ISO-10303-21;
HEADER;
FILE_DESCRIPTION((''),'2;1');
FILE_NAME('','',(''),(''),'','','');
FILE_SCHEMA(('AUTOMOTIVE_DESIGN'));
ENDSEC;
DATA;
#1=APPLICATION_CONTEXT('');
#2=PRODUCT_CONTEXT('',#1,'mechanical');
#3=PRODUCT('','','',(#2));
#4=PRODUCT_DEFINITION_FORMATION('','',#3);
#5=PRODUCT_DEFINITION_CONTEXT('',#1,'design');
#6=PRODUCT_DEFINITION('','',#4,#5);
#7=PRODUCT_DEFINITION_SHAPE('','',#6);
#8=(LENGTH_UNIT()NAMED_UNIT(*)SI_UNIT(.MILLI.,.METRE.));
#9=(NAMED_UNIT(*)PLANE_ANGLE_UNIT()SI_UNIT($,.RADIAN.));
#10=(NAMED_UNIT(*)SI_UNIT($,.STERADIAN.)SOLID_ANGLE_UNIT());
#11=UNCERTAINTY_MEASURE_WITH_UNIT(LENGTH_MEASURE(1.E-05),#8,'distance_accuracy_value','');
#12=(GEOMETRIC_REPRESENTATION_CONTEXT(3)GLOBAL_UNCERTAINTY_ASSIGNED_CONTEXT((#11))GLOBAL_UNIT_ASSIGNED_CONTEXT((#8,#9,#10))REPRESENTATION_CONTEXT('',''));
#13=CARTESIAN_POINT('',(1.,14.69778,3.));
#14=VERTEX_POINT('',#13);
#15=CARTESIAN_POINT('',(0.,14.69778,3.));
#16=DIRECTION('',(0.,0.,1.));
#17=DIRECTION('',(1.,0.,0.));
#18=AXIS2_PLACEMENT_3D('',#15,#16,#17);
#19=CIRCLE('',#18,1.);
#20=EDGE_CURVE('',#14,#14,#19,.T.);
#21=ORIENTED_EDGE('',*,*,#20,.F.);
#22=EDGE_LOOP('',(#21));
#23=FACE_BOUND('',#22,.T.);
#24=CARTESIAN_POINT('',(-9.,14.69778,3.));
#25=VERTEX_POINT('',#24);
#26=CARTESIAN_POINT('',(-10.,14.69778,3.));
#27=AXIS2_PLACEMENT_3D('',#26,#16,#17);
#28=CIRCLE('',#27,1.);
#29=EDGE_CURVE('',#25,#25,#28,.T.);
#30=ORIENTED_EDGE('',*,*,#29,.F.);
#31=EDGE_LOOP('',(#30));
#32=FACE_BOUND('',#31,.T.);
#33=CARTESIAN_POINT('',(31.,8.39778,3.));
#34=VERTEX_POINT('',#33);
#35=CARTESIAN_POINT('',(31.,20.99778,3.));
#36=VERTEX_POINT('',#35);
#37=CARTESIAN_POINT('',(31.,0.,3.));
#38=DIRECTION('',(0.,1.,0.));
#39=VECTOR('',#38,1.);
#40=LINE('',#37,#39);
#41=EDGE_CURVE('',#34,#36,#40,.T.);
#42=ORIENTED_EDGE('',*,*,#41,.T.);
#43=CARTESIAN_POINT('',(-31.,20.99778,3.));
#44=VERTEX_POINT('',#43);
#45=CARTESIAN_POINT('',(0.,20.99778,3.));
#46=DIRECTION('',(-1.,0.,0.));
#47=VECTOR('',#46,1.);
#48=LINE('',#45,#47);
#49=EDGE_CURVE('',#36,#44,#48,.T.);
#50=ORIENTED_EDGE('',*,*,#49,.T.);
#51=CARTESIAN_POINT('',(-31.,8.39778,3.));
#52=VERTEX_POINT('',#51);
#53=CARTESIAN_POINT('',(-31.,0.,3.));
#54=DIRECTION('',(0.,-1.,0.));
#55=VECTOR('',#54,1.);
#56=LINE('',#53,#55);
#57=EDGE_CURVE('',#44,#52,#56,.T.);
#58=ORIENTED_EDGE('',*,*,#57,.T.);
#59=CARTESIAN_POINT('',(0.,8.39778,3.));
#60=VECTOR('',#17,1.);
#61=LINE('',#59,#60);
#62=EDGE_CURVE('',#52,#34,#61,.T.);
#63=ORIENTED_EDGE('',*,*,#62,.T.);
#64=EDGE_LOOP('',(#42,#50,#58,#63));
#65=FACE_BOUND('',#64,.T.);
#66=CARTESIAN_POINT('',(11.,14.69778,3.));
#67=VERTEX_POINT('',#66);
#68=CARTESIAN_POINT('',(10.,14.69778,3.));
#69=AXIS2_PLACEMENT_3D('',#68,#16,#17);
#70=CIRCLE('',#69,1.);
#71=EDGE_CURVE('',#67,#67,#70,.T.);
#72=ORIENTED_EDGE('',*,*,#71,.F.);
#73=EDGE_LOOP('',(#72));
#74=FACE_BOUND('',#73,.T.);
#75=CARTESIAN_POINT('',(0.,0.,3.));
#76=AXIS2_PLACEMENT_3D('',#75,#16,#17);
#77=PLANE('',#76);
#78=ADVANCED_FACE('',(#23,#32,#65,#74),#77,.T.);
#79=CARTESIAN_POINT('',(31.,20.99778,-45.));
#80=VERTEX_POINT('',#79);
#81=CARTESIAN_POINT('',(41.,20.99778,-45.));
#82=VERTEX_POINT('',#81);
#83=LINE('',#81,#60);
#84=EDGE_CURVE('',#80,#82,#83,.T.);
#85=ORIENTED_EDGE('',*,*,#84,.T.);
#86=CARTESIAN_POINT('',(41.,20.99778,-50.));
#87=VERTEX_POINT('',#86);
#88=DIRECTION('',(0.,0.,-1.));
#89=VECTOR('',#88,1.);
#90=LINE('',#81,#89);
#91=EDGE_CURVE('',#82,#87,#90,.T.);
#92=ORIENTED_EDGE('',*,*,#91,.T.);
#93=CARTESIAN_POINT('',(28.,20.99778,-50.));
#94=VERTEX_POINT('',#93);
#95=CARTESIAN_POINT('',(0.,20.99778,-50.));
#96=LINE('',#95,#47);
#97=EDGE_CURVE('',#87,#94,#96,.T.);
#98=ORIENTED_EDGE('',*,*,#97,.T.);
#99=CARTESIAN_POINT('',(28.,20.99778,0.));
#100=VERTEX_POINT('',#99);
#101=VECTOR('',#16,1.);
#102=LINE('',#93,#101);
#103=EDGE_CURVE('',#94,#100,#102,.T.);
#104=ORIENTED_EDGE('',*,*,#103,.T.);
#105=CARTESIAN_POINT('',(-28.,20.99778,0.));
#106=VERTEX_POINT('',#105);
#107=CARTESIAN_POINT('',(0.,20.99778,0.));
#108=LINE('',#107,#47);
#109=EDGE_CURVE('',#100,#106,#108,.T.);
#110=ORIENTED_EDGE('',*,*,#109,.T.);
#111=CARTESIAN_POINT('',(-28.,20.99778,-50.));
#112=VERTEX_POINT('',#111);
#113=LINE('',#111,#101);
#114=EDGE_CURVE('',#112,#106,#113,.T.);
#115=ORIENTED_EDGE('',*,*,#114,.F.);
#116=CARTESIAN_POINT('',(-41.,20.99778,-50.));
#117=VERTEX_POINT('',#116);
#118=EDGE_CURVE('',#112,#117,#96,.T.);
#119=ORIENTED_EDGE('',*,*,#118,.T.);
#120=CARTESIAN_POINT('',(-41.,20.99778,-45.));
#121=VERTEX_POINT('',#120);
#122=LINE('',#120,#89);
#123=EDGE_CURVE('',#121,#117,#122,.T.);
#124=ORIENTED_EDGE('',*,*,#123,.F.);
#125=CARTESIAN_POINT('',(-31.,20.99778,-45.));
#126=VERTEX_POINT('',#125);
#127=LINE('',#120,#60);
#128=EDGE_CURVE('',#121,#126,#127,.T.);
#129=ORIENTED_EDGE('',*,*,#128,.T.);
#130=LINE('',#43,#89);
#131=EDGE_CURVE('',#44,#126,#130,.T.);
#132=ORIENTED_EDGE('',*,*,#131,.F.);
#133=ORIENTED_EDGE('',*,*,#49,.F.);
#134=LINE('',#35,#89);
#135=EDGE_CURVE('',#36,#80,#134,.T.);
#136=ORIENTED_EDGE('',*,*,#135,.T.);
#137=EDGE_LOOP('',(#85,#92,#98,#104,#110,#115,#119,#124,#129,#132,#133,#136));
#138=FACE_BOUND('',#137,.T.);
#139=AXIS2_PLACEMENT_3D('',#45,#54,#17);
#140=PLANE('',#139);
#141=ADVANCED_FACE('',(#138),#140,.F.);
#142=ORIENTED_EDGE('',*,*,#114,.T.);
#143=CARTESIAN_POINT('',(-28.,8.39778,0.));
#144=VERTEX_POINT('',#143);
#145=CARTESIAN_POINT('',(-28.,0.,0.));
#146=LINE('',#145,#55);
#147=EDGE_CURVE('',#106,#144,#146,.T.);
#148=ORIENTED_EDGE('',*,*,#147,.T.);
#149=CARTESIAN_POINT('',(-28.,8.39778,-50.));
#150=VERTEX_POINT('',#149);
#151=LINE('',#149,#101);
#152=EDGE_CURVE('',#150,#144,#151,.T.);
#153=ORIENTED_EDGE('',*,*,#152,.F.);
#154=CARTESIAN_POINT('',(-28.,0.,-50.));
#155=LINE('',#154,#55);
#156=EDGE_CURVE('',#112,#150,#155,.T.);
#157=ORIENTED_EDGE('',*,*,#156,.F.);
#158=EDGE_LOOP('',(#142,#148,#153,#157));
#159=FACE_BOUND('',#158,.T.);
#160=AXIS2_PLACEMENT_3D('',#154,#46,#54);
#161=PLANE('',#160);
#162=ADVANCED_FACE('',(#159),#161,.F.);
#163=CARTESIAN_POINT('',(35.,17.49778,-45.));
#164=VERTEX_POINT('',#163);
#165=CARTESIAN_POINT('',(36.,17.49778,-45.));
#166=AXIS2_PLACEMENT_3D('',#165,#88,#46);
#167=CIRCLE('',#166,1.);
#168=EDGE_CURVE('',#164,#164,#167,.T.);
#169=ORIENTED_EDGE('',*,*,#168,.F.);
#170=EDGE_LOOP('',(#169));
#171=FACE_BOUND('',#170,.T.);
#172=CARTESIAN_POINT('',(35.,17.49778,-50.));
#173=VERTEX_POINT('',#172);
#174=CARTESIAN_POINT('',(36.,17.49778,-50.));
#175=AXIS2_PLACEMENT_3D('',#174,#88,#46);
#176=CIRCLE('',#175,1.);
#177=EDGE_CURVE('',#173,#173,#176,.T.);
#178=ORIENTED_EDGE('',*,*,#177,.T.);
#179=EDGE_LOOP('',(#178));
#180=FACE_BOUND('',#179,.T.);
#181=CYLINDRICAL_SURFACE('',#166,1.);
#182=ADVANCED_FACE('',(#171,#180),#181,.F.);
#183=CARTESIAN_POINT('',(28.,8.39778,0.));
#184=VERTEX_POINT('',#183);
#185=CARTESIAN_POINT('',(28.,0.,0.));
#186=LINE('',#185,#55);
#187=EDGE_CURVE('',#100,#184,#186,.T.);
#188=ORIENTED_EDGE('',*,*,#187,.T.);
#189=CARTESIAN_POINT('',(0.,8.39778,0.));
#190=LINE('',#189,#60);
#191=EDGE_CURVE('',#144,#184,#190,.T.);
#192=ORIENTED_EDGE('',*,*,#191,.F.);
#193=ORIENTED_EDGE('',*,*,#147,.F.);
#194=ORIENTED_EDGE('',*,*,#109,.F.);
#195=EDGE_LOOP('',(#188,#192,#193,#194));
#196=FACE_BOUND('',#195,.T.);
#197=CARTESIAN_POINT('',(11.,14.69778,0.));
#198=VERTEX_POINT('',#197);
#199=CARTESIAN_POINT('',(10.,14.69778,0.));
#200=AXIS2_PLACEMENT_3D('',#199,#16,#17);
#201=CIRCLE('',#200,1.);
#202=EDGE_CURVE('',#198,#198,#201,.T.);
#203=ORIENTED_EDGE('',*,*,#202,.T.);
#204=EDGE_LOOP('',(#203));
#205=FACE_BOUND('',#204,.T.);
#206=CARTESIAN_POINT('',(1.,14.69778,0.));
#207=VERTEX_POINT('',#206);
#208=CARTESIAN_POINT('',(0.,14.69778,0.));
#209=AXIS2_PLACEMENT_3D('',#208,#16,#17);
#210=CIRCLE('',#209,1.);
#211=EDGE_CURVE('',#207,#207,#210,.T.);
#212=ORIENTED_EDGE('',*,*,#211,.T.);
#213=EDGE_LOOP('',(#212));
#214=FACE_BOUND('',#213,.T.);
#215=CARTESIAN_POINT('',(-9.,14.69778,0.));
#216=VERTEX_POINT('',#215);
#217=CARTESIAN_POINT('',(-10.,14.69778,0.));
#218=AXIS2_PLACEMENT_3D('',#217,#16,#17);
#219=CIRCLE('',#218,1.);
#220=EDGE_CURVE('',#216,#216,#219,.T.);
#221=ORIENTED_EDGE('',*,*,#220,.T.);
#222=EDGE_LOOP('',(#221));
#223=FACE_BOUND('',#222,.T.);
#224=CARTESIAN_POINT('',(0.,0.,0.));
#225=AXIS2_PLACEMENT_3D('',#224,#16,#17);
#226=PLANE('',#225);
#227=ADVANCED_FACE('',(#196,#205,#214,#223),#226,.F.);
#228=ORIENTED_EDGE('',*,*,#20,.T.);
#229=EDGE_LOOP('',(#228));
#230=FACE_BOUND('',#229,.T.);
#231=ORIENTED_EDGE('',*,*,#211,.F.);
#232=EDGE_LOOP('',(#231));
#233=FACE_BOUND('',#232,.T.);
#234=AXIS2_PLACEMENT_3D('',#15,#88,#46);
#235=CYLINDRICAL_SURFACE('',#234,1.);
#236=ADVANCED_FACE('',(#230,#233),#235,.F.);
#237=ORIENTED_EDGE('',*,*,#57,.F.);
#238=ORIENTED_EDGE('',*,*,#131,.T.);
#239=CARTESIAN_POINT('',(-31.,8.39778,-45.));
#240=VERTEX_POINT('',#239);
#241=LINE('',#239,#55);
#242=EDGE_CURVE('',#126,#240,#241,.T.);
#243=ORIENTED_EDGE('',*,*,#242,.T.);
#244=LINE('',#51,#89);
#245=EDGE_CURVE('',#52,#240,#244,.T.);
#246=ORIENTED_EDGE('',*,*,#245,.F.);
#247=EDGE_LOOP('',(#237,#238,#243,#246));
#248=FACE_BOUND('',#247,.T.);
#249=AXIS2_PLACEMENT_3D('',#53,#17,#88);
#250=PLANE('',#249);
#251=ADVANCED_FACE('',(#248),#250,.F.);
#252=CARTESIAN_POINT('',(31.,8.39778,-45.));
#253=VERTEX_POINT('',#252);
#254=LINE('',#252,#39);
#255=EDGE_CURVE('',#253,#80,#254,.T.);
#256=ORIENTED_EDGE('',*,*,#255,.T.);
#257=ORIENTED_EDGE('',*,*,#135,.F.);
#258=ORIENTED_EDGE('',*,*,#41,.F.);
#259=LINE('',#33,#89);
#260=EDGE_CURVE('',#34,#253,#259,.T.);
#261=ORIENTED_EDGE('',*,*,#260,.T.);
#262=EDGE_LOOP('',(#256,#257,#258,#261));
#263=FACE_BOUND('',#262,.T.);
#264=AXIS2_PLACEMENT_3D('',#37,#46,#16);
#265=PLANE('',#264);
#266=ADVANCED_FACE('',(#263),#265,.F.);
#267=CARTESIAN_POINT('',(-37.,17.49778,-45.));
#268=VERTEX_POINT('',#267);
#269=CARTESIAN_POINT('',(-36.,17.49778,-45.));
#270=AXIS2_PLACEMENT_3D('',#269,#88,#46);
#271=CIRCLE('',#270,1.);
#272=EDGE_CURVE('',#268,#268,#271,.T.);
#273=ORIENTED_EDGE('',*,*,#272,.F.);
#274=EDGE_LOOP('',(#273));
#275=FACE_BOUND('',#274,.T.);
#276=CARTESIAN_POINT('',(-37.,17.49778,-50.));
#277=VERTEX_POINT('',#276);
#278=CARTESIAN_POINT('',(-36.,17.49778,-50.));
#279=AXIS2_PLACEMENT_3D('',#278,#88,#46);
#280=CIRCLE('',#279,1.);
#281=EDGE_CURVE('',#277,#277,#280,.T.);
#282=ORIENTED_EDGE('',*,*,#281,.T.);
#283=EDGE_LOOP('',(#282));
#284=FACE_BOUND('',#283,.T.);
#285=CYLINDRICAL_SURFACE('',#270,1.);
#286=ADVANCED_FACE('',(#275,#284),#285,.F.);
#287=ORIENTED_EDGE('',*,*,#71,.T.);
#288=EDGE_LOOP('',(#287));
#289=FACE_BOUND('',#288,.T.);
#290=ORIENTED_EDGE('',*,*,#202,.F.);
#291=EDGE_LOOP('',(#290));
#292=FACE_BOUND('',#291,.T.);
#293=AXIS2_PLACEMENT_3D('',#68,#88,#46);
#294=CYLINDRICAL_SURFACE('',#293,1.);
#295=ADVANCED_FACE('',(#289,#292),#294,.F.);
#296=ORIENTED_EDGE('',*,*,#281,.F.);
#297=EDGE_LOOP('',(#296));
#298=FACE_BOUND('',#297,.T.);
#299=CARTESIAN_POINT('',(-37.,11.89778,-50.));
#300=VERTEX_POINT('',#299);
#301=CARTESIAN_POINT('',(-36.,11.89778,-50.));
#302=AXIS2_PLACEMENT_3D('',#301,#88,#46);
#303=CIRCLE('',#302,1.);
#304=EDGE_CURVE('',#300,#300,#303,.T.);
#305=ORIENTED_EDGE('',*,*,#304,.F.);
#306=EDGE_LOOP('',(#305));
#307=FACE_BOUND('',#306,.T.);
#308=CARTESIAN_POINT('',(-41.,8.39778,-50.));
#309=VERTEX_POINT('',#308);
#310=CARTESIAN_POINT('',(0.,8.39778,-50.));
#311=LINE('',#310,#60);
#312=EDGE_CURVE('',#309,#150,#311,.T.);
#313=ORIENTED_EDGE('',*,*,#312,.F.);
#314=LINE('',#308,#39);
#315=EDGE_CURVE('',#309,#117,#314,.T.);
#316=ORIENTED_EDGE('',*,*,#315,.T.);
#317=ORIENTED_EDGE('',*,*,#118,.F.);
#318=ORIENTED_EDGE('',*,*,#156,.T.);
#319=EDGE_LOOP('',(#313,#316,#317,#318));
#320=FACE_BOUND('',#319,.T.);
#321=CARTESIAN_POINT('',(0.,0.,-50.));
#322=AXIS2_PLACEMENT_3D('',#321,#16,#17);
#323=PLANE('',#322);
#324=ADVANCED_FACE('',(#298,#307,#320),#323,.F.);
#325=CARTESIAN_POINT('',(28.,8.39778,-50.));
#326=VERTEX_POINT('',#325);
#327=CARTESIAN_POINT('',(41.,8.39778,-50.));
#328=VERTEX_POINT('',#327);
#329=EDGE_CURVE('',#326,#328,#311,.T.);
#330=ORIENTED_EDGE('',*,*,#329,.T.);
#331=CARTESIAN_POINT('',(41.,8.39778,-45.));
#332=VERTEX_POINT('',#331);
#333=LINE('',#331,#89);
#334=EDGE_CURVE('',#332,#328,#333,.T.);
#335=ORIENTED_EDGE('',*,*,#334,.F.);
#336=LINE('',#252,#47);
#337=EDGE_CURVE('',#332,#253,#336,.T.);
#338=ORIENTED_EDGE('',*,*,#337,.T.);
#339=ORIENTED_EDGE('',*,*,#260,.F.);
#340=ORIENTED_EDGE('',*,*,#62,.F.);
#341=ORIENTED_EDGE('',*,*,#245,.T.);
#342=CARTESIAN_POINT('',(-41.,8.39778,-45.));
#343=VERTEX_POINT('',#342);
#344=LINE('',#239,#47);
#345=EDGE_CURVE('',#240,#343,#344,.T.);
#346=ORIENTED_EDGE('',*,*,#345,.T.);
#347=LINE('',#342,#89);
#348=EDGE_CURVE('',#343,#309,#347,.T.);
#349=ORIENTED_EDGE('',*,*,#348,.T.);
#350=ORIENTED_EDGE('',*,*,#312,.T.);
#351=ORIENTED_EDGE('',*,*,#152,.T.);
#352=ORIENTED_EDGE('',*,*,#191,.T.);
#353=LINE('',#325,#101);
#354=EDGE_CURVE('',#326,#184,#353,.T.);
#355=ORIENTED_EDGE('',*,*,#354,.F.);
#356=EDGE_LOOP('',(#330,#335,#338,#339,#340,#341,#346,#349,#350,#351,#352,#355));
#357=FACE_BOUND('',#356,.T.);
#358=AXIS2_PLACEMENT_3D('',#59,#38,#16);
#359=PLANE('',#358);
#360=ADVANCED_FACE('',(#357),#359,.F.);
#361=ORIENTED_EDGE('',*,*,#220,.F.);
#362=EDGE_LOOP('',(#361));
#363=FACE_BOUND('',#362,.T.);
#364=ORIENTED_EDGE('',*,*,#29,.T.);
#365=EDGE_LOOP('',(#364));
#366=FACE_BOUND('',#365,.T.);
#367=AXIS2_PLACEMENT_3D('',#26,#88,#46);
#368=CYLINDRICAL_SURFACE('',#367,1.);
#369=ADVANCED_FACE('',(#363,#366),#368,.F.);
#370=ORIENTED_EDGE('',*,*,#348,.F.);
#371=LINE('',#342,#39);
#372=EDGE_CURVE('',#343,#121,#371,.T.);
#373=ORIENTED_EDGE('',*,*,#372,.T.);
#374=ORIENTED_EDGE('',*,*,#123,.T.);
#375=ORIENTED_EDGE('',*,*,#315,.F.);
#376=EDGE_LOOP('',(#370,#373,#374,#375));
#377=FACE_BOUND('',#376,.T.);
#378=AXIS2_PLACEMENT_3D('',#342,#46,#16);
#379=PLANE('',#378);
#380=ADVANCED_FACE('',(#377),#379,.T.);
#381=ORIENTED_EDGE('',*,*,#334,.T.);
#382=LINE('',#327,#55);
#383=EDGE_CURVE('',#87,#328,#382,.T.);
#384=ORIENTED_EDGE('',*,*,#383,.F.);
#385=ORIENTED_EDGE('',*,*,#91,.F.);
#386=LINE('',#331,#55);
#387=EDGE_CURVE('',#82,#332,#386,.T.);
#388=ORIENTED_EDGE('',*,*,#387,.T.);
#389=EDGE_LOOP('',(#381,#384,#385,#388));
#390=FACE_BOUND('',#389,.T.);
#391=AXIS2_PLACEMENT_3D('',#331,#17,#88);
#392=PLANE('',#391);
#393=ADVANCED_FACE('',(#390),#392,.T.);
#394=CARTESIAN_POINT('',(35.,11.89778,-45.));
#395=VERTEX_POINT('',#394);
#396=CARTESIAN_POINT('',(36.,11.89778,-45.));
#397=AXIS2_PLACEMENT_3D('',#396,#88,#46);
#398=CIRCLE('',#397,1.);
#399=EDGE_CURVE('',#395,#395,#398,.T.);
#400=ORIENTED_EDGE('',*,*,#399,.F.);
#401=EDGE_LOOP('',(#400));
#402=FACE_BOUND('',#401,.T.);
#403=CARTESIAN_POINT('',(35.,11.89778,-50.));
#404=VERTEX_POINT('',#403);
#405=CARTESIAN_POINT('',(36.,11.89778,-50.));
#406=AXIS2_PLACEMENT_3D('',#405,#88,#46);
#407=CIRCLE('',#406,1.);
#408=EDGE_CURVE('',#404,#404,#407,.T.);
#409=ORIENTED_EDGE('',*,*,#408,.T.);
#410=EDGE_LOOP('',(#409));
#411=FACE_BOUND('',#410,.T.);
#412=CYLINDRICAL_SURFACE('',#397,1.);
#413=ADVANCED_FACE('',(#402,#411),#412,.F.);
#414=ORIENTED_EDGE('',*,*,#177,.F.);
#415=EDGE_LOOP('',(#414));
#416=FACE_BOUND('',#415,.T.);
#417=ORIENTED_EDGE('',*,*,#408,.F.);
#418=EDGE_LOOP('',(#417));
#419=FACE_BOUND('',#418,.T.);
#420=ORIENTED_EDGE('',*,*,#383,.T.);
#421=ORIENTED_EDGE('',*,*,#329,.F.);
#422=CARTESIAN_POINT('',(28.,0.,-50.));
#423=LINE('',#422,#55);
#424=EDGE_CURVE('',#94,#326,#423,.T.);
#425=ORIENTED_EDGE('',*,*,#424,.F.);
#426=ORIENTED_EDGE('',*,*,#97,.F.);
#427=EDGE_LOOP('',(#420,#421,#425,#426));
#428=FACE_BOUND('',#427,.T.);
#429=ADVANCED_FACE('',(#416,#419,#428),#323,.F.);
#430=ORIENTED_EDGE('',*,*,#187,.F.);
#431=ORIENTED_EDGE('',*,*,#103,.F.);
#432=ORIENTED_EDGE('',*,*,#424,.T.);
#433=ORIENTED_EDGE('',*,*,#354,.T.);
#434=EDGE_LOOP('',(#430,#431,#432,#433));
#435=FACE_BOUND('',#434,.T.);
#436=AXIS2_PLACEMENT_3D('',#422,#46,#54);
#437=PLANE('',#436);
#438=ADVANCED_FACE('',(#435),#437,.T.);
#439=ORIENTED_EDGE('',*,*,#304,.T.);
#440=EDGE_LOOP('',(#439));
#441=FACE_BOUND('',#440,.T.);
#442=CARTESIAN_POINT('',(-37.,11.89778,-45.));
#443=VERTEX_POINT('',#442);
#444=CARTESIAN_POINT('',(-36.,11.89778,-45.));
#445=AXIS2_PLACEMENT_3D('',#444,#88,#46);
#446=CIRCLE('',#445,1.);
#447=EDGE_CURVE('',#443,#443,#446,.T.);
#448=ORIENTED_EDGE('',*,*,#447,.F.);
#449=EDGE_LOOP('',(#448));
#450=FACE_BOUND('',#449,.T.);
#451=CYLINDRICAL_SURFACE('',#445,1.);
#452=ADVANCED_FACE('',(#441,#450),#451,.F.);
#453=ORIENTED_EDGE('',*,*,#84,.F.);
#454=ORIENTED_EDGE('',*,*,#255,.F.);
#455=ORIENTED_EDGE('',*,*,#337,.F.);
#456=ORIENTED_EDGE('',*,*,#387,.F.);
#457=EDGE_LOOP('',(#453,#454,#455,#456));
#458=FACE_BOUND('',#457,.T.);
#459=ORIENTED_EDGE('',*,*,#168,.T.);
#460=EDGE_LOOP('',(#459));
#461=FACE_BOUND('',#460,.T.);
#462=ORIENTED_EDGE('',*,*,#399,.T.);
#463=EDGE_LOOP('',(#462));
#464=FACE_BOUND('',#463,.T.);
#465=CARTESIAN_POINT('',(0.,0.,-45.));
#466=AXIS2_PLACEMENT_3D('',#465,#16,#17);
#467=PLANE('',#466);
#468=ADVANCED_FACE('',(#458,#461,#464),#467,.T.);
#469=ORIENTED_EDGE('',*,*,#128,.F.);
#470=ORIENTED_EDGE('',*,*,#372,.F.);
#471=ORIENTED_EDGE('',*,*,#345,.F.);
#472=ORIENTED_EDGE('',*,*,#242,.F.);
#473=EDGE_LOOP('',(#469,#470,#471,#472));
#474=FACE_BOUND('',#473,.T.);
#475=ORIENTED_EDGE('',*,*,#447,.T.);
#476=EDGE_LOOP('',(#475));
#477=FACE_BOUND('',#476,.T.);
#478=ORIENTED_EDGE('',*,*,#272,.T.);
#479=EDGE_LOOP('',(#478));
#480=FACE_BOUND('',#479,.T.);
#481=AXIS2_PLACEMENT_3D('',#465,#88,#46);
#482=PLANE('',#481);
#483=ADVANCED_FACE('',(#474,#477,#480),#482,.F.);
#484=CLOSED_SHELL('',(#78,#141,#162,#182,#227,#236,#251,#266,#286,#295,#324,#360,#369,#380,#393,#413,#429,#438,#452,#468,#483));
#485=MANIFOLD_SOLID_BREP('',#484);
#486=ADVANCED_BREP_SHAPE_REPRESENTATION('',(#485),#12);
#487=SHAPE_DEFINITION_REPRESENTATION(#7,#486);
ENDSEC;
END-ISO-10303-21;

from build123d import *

# Parameters (mm, degrees)
SKETCH1_W           = 62
SKETCH1_H           = 12.6
SKETCH1_R           = 1
BOSS_EXTRUDE1_DEPTH = 3
SKETCH1_14_W        = 3
SKETCH1_14_H        = 12.6
BOSS_EXTRUDE2_DEPTH = 50
SKETCH6_W           = 10
SKETCH6_H           = 12.6
SKETCH6_R           = 1
BOSS_EXTRUDE5_DEPTH = 5


with BuildPart() as part:
    # Sketch1 → Boss-Extrude1 (new body)
    with BuildSketch(Plane.XY):
        with Locations((0, 14.697780108)):
            Rectangle(SKETCH1_W, SKETCH1_H)
        with Locations((0, 14.697780108)):
            Circle(SKETCH1_R, mode=Mode.SUBTRACT)
        with Locations((10, 14.697780108)):
            Circle(SKETCH1_R, mode=Mode.SUBTRACT)
        with Locations((-10, 14.697780108)):
            Circle(SKETCH1_R, mode=Mode.SUBTRACT)
    extrude(amount=BOSS_EXTRUDE1_DEPTH)

    # Sketch1_14 → Boss-Extrude2 (add)
    with BuildSketch(Plane.XY):
        with Locations((-29.5, 14.697780108)):
            Rectangle(SKETCH1_14_W, SKETCH1_14_H)
        with Locations((29.5, 14.697780108)):
            Rectangle(SKETCH1_14_W, SKETCH1_14_H)
    extrude(amount=-BOSS_EXTRUDE2_DEPTH)

    # Sketch6 → Boss-Extrude5 (add)
    # profile 1 of 2: a face of its own
    with BuildSketch(Plane(origin=(0, 0, -50), x_dir=(-1, 0, 0), z_dir=(0, 0, -1))):
        with Locations((36, 14.697780108)):
            Rectangle(SKETCH6_W, SKETCH6_H)
        with Locations((36, 11.897780108)):
            Circle(SKETCH6_R, mode=Mode.SUBTRACT)
        with Locations((36, 17.497780108)):
            Circle(SKETCH6_R, mode=Mode.SUBTRACT)
    # profile 2 of 2: a face of its own
    with BuildSketch(Plane(origin=(0, 0, -50), x_dir=(-1, 0, 0), z_dir=(0, 0, -1))):
        with Locations((-36, 14.697780108)):
            Rectangle(SKETCH6_W, SKETCH6_H)
        with Locations((-36, 11.897780108)):
            Circle(SKETCH6_R, mode=Mode.SUBTRACT)
        with Locations((-36, 17.497780108)):
            Circle(SKETCH6_R, mode=Mode.SUBTRACT)
    extrude(amount=-BOSS_EXTRUDE5_DEPTH)


solid = part.part
